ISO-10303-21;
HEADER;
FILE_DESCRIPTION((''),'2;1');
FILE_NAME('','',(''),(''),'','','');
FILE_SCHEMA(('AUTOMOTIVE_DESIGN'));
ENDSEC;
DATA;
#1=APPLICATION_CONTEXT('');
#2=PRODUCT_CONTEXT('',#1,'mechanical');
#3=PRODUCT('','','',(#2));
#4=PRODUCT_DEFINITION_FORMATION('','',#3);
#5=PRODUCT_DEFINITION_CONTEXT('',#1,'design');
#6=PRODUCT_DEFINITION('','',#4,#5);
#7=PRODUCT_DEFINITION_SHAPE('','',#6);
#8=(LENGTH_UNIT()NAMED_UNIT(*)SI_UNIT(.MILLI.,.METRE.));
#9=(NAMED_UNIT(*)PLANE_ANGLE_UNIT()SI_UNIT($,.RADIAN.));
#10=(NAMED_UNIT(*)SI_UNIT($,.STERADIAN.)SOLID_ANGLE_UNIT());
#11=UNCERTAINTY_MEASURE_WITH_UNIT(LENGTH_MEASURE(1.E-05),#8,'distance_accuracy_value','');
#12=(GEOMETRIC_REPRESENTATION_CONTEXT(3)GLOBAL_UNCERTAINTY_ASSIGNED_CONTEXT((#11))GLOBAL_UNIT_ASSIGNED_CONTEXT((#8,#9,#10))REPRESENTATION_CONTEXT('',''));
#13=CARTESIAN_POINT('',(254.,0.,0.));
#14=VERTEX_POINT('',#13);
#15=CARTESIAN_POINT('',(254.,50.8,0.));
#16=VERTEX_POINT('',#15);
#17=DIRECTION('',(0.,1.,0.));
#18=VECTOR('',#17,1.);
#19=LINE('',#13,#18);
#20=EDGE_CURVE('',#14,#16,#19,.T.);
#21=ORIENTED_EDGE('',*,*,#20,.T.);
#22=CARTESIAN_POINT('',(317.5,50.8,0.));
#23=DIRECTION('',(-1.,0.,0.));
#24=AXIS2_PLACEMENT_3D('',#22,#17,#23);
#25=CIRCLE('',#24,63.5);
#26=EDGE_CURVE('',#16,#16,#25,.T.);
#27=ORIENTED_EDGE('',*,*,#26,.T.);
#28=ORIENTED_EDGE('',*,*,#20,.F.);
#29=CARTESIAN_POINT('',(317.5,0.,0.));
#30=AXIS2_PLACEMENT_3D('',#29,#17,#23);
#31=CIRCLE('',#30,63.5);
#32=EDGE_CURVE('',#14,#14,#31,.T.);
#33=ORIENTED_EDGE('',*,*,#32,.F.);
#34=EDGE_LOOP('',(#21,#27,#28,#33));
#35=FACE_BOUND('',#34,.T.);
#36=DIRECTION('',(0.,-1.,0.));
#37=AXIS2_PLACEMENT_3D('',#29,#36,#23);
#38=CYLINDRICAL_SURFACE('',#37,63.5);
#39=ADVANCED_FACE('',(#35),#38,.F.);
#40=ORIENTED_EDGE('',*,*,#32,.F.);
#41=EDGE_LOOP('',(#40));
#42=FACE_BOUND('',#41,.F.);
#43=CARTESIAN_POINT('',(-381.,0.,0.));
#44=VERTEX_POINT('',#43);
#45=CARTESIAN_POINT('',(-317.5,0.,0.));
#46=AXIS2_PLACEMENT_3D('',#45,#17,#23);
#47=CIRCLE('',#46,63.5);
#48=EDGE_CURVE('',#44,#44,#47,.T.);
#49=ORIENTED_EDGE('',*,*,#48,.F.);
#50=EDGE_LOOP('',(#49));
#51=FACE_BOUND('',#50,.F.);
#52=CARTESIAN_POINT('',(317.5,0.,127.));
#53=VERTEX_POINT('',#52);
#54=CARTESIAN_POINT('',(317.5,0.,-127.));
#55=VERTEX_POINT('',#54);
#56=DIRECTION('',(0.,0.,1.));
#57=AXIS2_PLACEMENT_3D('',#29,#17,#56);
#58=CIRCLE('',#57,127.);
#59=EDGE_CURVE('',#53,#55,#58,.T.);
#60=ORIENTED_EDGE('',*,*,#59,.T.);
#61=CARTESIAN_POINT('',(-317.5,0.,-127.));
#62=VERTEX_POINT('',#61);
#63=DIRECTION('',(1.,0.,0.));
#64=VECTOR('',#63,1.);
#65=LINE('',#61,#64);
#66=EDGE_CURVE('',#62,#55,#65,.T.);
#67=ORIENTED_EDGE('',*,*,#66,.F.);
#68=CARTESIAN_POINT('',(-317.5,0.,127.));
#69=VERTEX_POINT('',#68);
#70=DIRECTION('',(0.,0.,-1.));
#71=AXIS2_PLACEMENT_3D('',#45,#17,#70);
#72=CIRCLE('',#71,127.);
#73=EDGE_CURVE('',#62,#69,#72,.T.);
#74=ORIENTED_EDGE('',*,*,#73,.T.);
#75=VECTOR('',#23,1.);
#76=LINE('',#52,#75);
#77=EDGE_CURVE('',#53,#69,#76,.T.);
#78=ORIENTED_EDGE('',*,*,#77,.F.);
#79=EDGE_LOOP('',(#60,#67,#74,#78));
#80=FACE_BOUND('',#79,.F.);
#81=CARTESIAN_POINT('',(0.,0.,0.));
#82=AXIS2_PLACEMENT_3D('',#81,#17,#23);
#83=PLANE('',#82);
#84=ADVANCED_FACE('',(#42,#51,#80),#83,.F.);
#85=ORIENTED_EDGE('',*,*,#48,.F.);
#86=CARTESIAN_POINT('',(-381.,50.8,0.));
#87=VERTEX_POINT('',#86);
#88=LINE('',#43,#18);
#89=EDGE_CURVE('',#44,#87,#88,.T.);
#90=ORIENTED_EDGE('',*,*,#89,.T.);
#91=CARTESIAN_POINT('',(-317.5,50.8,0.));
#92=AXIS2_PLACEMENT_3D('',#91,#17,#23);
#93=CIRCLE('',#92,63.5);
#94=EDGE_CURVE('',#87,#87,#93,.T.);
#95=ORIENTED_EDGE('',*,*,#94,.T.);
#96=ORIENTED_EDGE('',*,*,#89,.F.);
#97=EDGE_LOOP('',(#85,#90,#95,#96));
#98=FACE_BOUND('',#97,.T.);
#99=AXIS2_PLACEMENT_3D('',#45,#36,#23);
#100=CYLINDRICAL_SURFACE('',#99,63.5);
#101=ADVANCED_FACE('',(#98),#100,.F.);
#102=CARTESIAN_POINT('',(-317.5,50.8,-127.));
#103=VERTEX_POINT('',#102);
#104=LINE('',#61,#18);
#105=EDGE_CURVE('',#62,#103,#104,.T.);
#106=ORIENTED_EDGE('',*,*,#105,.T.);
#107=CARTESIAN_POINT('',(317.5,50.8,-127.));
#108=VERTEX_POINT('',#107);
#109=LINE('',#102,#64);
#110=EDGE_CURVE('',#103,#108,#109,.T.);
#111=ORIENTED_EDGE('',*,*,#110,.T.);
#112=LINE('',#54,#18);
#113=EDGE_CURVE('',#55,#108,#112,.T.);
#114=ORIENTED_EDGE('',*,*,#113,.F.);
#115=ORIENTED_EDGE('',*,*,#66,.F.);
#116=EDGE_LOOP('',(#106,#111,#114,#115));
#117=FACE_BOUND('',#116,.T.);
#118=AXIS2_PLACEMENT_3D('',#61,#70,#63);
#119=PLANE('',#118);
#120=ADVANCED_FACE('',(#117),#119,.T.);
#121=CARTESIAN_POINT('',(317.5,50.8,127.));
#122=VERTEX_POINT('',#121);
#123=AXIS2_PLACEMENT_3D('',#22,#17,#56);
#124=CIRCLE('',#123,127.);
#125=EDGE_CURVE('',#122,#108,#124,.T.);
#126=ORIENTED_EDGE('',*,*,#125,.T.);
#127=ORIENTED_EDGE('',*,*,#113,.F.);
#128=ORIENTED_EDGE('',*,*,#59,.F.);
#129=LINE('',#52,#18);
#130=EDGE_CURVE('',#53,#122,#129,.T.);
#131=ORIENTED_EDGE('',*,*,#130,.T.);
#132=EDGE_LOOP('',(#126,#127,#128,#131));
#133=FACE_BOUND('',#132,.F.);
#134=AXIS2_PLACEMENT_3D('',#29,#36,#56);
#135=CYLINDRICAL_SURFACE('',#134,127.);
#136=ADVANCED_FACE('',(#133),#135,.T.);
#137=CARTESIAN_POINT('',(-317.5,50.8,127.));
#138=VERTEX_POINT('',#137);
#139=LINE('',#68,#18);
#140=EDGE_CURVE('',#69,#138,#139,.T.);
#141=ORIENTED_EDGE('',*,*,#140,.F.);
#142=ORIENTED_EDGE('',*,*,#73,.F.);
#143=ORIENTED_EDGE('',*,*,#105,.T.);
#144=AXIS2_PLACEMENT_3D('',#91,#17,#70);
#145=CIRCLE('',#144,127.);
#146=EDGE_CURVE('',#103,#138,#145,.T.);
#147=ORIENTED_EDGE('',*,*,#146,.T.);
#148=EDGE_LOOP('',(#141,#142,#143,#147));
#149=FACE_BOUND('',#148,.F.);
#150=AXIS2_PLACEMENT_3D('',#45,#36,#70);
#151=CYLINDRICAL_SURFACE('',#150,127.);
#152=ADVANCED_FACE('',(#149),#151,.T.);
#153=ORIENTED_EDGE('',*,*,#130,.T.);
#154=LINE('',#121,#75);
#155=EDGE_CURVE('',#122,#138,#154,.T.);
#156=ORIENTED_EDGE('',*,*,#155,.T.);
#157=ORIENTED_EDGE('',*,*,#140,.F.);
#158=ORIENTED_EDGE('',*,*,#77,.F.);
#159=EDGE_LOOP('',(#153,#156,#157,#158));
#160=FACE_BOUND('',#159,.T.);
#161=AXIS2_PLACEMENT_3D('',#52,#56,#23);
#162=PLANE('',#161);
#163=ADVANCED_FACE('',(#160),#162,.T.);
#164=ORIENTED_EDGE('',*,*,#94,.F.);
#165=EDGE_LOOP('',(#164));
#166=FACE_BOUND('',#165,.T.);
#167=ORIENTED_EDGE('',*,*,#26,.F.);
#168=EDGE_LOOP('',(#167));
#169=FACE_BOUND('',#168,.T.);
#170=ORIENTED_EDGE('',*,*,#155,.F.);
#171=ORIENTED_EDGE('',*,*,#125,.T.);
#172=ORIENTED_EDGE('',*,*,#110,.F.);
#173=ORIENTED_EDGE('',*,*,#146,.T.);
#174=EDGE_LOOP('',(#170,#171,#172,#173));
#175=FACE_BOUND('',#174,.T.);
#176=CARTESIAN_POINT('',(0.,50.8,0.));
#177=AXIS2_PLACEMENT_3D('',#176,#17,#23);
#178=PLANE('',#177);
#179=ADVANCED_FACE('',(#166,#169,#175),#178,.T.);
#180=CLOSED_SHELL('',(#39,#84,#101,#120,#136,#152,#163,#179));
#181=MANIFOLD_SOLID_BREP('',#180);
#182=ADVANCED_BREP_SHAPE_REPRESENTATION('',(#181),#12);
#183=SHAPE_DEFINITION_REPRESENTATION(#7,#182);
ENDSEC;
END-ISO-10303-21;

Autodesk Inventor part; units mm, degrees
ref_plane "YZ Plane" through (0, 0, 0) normal (1, 0, 0) x (0, 1, 0)
ref_plane "XZ Plane" through (0, 0, 0) normal (0, 1, 0) x (-1, 0, 0)
ref_plane "XY Plane" through (0, 0, 0) normal (0, 0, 1) x (1, 0, 0)
sketch "Sketch1" plane through (0, 0, 0) normal (0, 1, 0) x (-1, 0, 0)
  line L0 (-317.5, 127) -> (317.5, 127)
  line L1 (317.5, 127) -> (317.5, -127) construction
  line L2 (317.5, -127) -> (-317.5, -127)
  line L3 (-317.5, -127) -> (-317.5, 127) construction
  line L4 (-317.5, 127) -> (317.5, -127) construction
  line L5 (317.5, 127) -> (-317.5, -127) construction
  arc A0 (317.5, -127) -> (317.5, 127) centre (317.5, 0) ccw
  arc A1 (-317.5, 127) -> (-317.5, -127) centre (-317.5, 0) ccw
  circle A2 centre (317.5, 0) radius 63.5
  circle A3 centre (-317.5, 0) radius 63.5
  point P0 (0, 0)
  dimension "d0" = 635
  dimension "d1" = 254
  dimension "d2" = 127
  dimension "d3" = 127
extrude "Extrusion1" add sketch "Sketch1" along normal blind 50.8
properties part number "Input"
